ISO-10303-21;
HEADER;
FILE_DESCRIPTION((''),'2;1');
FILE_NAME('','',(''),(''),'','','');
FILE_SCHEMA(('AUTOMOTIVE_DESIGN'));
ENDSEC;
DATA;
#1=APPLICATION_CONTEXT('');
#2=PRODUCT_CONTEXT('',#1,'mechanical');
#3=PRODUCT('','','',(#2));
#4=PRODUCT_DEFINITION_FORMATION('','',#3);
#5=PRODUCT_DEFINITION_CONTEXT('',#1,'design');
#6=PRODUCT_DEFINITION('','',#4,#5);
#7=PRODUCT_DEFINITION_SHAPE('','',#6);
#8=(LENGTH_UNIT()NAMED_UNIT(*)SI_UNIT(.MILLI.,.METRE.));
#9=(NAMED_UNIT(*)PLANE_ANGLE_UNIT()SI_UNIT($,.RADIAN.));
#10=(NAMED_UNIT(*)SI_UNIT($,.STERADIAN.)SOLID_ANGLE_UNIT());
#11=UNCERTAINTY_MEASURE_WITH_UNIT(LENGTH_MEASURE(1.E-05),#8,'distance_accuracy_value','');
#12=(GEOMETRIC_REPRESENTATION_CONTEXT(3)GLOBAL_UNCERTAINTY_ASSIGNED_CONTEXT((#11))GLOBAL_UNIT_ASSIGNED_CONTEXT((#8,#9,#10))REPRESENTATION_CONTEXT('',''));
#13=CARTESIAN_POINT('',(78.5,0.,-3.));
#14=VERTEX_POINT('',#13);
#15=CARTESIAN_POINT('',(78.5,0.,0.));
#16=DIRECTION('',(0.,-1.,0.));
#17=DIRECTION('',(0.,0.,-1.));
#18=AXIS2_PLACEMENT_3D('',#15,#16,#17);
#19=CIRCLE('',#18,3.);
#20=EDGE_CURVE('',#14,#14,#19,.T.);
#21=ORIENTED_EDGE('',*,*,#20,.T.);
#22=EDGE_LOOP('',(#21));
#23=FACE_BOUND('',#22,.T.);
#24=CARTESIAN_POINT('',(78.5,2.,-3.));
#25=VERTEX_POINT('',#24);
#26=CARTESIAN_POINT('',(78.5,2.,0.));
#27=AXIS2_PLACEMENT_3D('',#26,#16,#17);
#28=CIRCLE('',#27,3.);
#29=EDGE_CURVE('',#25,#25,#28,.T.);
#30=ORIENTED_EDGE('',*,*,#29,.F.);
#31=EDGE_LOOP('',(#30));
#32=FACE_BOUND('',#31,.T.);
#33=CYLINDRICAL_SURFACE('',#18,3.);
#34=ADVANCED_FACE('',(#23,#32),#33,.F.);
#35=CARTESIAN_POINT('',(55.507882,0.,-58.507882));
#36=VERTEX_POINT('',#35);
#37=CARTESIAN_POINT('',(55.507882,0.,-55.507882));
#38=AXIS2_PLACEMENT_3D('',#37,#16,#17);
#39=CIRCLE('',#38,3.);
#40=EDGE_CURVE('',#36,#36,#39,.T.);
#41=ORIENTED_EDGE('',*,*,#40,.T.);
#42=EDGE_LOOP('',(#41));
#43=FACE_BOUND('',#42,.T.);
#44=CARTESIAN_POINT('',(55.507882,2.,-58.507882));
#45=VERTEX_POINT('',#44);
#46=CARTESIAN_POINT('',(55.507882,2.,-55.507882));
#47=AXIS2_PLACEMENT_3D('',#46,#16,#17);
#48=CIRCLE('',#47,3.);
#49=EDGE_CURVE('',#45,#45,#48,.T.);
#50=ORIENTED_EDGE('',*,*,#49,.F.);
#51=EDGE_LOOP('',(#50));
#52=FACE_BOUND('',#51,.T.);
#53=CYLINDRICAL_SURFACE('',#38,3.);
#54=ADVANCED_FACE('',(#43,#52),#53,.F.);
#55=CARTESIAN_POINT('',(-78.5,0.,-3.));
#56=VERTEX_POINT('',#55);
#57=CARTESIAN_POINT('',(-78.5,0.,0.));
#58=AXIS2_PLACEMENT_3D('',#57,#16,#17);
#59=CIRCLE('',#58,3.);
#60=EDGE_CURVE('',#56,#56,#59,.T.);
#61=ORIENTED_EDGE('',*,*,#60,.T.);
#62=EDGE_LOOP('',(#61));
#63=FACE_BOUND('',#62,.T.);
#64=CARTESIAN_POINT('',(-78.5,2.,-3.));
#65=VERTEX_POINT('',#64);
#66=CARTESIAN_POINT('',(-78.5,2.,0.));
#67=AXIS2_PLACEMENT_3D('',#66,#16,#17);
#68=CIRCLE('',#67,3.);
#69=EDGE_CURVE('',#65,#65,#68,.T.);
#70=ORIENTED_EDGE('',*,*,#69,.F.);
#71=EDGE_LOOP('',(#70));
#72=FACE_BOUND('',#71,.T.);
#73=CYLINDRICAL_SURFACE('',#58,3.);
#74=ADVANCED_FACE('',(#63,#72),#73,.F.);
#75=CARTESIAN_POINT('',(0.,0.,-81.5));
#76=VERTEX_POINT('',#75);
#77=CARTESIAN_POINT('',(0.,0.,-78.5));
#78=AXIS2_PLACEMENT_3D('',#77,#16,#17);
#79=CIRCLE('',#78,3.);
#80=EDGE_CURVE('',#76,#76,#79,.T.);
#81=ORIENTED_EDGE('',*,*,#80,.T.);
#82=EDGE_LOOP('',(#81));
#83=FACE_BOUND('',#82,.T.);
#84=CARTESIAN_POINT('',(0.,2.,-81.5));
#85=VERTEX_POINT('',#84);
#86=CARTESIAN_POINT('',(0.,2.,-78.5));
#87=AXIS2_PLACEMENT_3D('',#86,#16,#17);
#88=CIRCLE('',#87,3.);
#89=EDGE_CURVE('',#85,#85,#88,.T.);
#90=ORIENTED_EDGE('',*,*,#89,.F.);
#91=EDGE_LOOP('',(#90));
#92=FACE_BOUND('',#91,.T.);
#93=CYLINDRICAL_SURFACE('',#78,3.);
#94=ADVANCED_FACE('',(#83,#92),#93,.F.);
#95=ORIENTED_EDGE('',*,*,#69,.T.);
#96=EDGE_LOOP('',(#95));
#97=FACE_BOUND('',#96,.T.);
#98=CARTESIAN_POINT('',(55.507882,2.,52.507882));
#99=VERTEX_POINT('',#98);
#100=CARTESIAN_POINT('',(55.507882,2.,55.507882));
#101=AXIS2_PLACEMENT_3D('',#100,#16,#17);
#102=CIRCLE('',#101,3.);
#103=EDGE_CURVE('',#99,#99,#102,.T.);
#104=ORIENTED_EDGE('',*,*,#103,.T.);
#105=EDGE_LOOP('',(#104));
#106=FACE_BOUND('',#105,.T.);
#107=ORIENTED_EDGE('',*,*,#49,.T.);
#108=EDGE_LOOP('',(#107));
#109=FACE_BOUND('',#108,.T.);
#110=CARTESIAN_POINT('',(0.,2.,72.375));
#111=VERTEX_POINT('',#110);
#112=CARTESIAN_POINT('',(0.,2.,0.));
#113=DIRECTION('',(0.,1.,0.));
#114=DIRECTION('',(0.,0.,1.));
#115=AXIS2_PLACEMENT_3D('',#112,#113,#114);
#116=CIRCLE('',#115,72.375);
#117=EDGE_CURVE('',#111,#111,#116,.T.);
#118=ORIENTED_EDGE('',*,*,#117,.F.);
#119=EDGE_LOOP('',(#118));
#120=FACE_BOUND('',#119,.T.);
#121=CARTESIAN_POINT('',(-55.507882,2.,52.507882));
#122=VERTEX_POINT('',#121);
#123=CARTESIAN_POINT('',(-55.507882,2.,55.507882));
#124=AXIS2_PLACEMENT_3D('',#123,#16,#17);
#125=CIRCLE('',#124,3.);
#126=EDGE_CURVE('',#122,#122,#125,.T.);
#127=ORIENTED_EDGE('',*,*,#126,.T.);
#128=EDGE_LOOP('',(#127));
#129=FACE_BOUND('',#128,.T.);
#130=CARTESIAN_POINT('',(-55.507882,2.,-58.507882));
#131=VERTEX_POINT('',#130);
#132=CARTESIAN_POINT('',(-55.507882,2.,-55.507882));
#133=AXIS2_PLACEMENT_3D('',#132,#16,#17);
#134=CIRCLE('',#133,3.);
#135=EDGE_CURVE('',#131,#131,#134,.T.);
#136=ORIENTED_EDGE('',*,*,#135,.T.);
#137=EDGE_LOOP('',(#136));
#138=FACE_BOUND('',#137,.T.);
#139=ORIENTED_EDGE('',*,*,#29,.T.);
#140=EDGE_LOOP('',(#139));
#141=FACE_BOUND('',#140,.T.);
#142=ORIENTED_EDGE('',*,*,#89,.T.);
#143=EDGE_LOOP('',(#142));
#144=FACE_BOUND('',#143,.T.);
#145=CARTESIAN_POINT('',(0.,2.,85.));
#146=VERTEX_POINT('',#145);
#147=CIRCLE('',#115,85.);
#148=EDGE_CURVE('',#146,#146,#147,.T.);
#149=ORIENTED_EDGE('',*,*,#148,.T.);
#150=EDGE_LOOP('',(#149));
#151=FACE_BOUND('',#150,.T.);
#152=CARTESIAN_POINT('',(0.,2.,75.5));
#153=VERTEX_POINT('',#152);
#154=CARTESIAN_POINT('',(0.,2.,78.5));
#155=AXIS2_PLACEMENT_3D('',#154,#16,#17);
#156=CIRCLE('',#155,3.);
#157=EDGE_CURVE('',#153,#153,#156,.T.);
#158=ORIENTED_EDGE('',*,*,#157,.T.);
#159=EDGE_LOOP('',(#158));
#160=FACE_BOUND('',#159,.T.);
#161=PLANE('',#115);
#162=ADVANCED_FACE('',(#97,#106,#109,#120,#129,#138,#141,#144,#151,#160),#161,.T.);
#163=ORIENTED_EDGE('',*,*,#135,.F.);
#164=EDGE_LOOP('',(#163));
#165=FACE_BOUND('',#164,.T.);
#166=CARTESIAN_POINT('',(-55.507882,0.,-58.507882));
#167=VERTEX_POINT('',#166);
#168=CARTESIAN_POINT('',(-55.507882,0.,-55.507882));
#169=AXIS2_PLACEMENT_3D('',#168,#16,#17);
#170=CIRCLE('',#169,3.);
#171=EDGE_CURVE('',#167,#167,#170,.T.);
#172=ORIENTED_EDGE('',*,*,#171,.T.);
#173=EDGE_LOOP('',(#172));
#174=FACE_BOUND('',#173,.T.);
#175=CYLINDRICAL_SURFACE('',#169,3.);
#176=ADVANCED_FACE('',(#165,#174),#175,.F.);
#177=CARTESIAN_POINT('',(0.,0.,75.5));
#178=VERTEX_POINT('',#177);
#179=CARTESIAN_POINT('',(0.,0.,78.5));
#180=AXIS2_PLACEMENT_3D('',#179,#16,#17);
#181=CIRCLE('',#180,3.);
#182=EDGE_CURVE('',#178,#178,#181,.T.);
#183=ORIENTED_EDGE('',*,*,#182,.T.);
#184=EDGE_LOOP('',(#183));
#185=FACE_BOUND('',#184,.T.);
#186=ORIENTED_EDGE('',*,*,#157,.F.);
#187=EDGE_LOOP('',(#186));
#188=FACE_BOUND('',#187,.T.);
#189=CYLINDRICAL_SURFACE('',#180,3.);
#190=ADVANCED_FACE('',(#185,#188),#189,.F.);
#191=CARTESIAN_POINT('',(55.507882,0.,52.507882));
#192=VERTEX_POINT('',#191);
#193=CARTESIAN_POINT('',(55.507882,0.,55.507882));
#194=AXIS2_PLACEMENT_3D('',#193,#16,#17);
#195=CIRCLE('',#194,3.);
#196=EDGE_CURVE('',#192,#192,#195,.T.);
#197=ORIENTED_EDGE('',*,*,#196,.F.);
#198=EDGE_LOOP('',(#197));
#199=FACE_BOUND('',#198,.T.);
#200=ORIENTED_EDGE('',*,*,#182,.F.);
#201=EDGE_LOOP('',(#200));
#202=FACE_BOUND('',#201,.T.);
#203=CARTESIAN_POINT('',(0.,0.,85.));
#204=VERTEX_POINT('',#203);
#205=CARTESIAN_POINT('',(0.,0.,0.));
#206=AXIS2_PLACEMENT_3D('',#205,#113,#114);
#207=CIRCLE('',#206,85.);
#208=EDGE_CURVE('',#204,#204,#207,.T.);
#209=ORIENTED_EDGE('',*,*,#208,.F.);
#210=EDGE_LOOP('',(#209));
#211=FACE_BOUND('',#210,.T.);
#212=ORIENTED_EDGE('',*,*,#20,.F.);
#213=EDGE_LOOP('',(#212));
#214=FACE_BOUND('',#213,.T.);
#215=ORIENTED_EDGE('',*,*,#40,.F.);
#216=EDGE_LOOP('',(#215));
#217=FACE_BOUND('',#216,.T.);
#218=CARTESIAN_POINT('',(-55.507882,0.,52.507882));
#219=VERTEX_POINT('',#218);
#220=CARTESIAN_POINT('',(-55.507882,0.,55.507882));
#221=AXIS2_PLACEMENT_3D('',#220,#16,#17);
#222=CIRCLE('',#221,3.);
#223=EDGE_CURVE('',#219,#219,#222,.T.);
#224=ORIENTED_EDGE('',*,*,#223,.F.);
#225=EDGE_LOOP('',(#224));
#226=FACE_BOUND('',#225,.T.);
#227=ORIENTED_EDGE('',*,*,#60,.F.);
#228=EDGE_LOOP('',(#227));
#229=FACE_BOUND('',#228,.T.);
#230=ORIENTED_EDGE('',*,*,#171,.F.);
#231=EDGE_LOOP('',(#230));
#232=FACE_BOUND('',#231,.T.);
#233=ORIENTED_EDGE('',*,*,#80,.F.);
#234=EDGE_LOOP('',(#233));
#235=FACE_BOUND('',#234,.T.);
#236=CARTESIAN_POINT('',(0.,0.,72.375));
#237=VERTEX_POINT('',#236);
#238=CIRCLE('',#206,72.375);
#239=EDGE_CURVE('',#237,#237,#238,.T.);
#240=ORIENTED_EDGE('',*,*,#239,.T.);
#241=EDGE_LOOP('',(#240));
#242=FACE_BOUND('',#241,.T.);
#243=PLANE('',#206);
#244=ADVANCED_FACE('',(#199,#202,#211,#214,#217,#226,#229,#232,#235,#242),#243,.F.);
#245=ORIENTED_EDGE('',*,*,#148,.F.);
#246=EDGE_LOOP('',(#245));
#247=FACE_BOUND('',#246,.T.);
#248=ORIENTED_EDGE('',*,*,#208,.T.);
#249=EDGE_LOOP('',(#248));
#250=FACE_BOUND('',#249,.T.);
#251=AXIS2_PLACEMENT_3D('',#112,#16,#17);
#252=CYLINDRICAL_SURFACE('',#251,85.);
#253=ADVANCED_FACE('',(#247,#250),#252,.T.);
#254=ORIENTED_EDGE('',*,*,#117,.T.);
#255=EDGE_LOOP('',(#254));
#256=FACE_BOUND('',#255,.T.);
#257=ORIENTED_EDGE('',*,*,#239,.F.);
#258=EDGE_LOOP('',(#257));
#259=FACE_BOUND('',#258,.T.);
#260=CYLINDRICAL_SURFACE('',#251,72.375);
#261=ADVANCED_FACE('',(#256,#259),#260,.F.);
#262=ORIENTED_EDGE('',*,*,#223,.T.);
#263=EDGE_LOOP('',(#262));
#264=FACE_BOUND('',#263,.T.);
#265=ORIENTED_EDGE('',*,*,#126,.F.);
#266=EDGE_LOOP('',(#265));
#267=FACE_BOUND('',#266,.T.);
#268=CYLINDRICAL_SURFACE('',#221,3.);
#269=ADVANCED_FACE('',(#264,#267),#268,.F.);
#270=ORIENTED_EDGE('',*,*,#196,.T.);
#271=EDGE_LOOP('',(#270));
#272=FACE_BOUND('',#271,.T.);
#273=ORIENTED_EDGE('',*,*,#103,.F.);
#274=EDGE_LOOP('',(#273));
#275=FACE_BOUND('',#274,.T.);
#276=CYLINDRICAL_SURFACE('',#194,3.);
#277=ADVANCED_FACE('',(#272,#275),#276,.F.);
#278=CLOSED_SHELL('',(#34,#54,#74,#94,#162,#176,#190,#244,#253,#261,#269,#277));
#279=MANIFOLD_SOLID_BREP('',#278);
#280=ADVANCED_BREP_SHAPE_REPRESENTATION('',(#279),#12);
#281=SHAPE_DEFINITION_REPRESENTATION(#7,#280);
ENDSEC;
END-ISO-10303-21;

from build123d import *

# Parameters (mm, degrees)
SKETCH1_R             = 85
SKETCH1_R_2           = 78.5
SKETCH1_R_3           = 72.375
BOSS_EXTRUDE1_DEPTH   = 2
F_6_0MM_DOWEL_HOLE1_D = 6


with BuildPart() as part:
    # Sketch1 → Boss-Extrude1 (new body)
    # profile 1 of 2: a face of its own
    with BuildSketch(Plane(origin=(0, 0, 0), x_dir=(1, 0, 0), z_dir=(0, 1, 0))):
        with Locations(Location((0, 0, 0), (0, 0, 270))):
            Circle(SKETCH1_R)
        Circle(SKETCH1_R_2, mode=Mode.SUBTRACT)
    # profile 2 of 2: a face of its own
    with BuildSketch(Plane(origin=(0, 0, 0), x_dir=(1, 0, 0), z_dir=(0, 1, 0))):
        Circle(SKETCH1_R_2)
        with Locations(Location((0, 0, 0), (0, 0, 270))):
            Circle(SKETCH1_R_3, mode=Mode.SUBTRACT)
    extrude(amount=BOSS_EXTRUDE1_DEPTH)

    # Ø6.0mm Dowel Hole1 (through all)
    with Locations(Plane(origin=(0, 0, 0), x_dir=(-1, 0, 0), z_dir=(0, -1, 0))):
        with Locations((-55.507882323, 55.507882323), (0, 78.5), (55.507882323, 55.507882323), (78.5, 0), (55.507882323, -55.507882323), (0, -78.5), (-55.507882323, -55.507882323), (-78.5, 0)):
            Hole(F_6_0MM_DOWEL_HOLE1_D / 2)


solid = part.part
